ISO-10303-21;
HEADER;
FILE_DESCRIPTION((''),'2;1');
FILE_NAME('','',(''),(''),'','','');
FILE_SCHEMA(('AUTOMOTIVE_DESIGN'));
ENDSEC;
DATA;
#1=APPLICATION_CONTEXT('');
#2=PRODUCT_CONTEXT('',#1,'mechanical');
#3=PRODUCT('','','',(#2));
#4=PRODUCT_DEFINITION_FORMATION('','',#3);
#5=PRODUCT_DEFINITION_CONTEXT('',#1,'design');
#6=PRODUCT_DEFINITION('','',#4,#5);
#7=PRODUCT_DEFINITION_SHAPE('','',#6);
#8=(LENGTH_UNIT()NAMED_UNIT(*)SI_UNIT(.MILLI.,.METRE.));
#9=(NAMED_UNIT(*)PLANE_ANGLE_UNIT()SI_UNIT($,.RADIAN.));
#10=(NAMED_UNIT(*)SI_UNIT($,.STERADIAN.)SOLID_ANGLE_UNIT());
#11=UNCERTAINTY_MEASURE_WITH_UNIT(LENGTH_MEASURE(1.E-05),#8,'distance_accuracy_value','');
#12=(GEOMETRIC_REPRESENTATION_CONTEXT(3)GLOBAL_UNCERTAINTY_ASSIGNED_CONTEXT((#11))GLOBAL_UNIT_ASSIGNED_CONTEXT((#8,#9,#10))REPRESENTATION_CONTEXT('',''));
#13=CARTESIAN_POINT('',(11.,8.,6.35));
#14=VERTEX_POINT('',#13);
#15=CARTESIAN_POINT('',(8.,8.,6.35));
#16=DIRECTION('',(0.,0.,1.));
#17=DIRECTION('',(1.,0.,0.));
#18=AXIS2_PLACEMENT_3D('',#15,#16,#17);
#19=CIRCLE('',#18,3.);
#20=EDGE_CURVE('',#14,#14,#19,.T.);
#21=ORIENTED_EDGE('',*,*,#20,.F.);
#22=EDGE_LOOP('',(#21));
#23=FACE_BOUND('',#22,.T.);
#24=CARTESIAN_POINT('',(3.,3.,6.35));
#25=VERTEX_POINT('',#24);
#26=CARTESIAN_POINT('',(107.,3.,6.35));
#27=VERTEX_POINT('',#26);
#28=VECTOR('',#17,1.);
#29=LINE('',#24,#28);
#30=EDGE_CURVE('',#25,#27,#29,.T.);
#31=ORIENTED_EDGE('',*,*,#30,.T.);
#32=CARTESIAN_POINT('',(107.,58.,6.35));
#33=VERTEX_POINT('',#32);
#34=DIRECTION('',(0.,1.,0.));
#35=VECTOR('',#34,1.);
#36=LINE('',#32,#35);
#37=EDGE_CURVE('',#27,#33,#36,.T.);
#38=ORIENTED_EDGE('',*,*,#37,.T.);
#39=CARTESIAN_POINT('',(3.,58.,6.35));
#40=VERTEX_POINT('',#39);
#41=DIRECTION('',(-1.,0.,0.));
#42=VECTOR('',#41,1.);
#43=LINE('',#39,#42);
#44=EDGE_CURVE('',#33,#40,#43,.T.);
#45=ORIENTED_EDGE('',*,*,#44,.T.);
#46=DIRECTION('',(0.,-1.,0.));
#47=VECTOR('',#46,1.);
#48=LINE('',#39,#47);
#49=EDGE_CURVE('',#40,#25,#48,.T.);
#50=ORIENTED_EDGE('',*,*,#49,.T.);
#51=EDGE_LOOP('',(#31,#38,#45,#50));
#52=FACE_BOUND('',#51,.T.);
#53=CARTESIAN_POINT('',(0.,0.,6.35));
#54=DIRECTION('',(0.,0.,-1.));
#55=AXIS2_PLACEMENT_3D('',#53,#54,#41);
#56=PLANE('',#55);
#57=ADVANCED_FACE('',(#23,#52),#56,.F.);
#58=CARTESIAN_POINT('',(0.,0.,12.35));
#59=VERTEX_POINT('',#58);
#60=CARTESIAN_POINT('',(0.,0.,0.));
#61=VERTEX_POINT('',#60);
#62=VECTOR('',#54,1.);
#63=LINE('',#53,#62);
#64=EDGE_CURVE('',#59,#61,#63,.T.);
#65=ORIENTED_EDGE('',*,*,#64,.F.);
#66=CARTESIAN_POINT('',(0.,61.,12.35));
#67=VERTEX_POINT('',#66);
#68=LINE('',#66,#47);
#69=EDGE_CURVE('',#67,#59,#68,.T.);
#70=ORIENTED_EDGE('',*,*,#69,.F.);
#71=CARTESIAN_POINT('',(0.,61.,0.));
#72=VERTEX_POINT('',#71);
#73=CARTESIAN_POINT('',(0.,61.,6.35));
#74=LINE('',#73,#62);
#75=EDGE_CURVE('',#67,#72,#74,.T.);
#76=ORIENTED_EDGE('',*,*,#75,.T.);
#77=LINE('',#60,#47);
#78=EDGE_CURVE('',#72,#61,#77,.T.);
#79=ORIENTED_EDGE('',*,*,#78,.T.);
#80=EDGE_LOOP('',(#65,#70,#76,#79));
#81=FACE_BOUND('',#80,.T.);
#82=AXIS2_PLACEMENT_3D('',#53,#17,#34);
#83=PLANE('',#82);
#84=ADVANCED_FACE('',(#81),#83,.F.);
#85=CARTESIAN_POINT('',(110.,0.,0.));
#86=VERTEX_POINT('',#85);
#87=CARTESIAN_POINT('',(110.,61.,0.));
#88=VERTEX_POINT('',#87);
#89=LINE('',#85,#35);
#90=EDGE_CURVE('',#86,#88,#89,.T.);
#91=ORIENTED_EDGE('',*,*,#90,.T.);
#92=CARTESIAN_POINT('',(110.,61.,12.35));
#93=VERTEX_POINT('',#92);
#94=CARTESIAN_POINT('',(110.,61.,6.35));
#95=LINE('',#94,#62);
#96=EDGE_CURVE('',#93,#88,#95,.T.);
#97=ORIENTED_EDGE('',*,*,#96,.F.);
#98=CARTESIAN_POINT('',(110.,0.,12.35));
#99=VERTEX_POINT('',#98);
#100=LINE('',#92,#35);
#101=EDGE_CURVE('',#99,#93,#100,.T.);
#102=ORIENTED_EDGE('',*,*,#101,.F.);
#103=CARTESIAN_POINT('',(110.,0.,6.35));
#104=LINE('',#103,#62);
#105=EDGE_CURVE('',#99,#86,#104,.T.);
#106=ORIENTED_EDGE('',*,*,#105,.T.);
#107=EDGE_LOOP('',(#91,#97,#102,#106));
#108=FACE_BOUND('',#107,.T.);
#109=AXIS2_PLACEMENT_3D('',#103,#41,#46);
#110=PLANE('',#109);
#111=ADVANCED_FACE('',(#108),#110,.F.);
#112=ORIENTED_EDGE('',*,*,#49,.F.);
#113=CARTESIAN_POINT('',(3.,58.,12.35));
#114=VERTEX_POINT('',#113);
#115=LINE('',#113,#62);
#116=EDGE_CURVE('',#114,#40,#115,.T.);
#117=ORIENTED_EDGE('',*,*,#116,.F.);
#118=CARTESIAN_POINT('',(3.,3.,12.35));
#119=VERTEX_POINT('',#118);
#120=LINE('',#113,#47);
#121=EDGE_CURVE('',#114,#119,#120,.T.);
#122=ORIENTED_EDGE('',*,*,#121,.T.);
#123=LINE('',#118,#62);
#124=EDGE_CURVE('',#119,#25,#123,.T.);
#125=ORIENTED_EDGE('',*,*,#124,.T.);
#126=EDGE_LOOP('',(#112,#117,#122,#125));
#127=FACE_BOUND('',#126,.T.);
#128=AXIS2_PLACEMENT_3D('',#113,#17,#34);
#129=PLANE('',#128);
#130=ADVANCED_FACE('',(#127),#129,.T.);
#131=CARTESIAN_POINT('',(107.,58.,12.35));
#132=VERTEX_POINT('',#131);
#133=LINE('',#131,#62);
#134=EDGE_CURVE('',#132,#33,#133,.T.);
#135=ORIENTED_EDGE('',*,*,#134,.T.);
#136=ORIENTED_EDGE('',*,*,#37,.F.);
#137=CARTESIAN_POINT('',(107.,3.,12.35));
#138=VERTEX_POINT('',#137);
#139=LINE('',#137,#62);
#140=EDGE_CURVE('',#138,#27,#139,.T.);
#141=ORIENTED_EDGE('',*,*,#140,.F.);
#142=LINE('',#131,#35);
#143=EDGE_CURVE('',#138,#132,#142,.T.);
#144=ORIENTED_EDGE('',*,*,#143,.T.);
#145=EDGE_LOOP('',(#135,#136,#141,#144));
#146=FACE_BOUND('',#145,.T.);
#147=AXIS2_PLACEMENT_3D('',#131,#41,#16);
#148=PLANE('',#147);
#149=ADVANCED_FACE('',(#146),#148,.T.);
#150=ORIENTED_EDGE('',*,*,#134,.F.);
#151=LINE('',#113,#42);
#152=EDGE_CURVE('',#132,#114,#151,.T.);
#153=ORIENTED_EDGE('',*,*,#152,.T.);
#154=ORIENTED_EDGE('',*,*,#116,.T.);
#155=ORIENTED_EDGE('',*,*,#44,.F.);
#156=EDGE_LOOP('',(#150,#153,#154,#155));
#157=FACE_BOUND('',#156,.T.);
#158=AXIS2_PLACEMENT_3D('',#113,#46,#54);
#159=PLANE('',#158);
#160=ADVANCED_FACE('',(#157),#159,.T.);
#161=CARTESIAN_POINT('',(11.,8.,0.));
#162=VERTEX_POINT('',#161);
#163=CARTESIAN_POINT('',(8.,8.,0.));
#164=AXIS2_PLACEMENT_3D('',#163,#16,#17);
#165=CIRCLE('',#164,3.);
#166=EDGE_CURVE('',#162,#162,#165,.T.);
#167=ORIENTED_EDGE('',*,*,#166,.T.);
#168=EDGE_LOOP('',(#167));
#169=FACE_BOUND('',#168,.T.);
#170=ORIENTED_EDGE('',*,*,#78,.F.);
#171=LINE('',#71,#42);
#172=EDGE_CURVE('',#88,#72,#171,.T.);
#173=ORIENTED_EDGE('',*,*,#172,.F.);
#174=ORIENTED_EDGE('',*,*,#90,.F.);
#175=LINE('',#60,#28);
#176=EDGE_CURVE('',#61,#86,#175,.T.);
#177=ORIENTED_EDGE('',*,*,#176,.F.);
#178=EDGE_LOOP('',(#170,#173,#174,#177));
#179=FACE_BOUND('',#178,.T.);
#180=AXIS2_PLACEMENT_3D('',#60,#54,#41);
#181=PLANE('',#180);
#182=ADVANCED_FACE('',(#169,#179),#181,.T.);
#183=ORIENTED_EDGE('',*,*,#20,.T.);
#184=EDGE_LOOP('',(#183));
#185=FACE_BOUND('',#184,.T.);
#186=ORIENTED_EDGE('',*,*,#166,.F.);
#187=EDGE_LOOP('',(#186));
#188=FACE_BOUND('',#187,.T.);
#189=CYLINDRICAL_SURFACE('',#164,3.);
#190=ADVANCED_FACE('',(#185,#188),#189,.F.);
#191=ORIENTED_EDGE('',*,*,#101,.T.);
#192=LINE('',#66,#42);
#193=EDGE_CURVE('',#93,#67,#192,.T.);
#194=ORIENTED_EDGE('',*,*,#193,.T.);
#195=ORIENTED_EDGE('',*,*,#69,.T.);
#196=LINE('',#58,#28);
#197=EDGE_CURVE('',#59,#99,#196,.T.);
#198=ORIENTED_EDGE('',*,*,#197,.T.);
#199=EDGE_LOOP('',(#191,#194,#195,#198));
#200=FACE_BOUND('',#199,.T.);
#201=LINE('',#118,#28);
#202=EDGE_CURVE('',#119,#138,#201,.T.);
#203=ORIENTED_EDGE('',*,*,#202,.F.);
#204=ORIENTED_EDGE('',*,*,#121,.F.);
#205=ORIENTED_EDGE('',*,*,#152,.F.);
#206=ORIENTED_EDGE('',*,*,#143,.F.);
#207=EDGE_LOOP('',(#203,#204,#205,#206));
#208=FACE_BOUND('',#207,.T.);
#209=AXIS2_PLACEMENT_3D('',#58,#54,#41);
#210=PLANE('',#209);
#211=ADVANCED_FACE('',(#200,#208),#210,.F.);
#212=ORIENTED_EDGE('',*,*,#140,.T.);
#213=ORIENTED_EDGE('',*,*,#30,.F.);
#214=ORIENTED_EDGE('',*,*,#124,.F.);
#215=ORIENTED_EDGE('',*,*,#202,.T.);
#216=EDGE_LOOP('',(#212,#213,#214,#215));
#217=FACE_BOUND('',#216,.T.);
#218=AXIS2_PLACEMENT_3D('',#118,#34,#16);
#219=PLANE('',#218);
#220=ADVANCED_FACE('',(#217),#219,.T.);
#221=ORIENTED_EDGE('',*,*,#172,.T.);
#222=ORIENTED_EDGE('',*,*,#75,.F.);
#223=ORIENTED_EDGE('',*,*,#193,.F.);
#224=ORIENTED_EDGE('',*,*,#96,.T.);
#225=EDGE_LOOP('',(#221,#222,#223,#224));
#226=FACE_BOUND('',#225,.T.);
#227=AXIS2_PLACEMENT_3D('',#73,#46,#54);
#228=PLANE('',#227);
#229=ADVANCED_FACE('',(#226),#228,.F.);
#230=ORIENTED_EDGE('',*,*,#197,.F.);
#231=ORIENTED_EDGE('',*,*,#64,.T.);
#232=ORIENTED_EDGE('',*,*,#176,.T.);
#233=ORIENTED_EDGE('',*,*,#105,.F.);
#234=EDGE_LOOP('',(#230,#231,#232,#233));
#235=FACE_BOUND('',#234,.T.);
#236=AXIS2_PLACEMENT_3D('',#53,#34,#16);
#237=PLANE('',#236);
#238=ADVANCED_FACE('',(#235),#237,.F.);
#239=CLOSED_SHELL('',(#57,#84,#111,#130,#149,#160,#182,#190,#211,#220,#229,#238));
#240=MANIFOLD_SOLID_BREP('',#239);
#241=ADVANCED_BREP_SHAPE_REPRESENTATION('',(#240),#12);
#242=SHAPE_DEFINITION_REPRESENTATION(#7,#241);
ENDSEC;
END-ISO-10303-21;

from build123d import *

# Parameters (mm, degrees)
SKETCH1_W           = 110
SKETCH1_H           = 61
BOSS_EXTRUDE1_DEPTH = 6.35
SKETCH3_W           = 110
SKETCH3_H           = 61
SKETCH3_W_2         = 104
SKETCH3_H_2         = 55
BOSS_EXTRUDE2_DEPTH = 6
SKETCH5_R           = 3
CUT_EXTRUDE1_DEPTH  = 126.941742484


with BuildPart() as part:
    # Sketch1 → Boss-Extrude1 (new body)
    with BuildSketch(Plane.XY):
        with Locations((55, 30.5)):
            Rectangle(SKETCH1_W, SKETCH1_H)
    extrude(amount=BOSS_EXTRUDE1_DEPTH)

    # Sketch3 → Boss-Extrude2 (add)
    with BuildSketch(Plane.XY.offset(6.35)):
        with Locations((55, 30.5)):
            Rectangle(SKETCH3_W, SKETCH3_H)
        with Locations((55, 30.5)):
            Rectangle(SKETCH3_W_2, SKETCH3_H_2, mode=Mode.SUBTRACT)
    extrude(amount=BOSS_EXTRUDE2_DEPTH)

    # Sketch5 → Cut-Extrude1 (cut, through all)
    with BuildSketch(Plane.XY.offset(6.35)):
        with Locations((8, 8)):
            Circle(SKETCH5_R)
    extrude(amount=-CUT_EXTRUDE1_DEPTH, mode=Mode.SUBTRACT)


solid = part.part
